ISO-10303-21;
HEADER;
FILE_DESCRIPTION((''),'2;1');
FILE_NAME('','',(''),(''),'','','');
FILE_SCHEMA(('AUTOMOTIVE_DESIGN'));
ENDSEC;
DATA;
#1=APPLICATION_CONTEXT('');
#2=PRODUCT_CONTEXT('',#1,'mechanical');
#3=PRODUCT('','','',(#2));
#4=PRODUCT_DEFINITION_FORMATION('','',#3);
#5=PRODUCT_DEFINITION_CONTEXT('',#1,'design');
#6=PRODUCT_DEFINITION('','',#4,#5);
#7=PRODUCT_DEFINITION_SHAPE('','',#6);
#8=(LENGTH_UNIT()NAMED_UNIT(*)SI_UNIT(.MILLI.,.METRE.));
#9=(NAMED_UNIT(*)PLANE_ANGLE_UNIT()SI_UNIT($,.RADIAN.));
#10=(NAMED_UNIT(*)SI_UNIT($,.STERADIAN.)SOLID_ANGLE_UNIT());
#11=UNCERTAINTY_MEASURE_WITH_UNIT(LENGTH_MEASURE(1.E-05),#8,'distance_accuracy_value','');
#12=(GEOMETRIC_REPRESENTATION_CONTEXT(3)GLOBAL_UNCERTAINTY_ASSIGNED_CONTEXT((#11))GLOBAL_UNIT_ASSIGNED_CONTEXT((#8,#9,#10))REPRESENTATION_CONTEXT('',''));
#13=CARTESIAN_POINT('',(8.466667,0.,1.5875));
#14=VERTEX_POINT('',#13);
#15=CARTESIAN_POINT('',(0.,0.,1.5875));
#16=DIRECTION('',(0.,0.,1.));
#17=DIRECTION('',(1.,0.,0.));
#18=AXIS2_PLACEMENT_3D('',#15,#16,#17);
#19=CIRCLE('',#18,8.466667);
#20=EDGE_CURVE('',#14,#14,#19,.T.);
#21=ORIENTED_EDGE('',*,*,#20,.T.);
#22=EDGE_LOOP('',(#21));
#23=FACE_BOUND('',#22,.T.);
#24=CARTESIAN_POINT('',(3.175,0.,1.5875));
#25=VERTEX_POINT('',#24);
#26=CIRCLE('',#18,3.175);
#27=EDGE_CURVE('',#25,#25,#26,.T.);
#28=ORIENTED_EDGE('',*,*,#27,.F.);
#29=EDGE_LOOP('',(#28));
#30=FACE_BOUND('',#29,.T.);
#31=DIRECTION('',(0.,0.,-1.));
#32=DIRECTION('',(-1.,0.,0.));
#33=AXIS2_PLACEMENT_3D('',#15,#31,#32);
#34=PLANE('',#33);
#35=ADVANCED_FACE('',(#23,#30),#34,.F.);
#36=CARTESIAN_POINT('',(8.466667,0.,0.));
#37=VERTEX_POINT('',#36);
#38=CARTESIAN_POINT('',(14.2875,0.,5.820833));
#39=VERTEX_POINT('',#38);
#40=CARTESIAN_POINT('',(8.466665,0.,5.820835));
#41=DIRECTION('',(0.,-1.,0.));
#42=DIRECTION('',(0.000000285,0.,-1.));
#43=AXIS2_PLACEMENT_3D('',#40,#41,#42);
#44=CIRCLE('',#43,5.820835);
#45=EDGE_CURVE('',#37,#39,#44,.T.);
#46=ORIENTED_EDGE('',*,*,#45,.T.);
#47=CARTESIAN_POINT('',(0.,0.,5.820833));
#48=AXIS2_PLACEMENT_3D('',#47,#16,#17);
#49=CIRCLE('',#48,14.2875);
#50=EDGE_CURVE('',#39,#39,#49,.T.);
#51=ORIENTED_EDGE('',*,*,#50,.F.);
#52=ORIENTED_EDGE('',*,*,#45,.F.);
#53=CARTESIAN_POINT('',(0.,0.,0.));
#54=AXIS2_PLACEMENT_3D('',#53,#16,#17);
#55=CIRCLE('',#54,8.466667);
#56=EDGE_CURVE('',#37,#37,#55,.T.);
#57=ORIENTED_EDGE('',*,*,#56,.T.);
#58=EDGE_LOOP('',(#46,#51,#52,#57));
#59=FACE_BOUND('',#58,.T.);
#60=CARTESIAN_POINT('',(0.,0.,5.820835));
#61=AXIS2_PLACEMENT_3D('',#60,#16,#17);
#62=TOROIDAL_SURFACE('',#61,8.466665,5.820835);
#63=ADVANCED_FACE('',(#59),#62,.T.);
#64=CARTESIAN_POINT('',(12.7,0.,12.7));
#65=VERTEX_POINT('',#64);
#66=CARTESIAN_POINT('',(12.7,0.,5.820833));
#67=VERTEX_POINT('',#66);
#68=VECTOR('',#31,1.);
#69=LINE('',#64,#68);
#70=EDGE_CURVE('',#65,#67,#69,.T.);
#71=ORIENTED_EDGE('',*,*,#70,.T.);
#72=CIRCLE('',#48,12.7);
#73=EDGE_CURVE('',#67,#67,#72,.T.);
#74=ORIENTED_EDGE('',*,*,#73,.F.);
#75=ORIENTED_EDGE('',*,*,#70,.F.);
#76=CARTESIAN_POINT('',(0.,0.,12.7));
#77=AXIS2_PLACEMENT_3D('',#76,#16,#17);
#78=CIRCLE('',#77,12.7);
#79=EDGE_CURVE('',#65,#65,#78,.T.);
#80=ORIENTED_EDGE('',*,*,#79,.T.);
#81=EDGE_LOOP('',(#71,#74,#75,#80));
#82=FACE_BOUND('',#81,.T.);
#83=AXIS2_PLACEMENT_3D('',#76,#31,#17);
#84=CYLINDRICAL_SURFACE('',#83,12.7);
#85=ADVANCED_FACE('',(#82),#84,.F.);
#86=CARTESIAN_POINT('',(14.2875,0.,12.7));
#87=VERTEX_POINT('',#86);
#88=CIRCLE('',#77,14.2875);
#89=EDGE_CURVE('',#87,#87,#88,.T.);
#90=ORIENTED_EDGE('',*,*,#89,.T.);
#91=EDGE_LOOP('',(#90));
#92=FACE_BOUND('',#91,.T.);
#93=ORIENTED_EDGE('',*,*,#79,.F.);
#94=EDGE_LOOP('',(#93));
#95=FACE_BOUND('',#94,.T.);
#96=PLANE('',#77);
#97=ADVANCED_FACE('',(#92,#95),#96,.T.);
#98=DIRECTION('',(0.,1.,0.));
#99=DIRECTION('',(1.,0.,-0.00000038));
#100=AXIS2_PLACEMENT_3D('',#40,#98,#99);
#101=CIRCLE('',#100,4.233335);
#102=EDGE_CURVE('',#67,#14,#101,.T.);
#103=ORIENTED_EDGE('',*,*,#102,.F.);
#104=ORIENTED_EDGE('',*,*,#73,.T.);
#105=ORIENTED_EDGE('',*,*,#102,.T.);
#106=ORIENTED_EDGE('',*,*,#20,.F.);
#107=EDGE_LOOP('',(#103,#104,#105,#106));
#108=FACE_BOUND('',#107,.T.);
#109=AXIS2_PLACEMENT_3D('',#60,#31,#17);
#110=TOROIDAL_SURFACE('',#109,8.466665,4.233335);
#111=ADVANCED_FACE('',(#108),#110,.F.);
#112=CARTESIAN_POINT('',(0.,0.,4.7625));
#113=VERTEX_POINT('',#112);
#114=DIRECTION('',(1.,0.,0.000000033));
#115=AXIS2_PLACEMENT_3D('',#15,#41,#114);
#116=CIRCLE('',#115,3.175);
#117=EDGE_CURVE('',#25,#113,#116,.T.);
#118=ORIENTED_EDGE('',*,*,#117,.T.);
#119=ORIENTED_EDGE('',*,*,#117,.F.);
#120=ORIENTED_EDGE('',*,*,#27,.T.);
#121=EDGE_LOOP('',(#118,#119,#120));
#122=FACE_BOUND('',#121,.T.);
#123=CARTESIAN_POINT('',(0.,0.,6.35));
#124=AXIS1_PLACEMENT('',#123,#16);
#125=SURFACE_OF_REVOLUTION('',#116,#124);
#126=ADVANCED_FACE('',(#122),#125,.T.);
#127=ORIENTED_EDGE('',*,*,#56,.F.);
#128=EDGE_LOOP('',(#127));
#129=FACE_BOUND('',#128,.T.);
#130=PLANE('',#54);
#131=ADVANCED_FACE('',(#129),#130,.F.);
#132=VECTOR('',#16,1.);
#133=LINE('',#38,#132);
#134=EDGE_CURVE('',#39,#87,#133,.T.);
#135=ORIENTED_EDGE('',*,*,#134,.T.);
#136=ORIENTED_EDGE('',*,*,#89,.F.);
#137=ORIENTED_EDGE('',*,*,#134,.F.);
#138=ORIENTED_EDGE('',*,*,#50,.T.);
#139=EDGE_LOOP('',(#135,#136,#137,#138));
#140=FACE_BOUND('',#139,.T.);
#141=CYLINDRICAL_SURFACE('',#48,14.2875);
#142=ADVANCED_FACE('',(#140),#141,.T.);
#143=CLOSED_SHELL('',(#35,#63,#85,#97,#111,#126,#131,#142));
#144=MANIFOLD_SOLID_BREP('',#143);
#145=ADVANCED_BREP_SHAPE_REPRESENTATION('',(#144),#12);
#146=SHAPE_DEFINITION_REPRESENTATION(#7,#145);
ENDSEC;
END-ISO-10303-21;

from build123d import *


with BuildPart() as f1:
    # F0 (on Front) → F1 (revolve)
    with BuildSketch(Plane.XZ):
        with BuildLine():
            Line((0, 1.5875), (0, 0))
            Line((0, 0), (8.466667, 0))
            ThreePointArc((8.466667, 0), (12.582617, 1.704883), (14.2875, 5.820833))
            Line((14.2875, 5.820833), (14.2875, 12.7))
            Line((14.2875, 12.7), (12.7, 12.7))
            Line((12.7, 12.7), (12.7, 5.820833))
            ThreePointArc((12.7, 5.820833), (11.460085, 2.827415), (8.466667, 1.5875))
            Line((8.466667, 1.5875), (3.175, 1.5875))
            Line((3.175, 1.5875), (0, 1.5875))
        make_face()
        with BuildLine():
            Line((0, 4.7625), (0, 1.5875))
            Line((0, 1.5875), (3.175, 1.5875))
            ThreePointArc((3.175, 1.5875), (2.245064, 3.832564), (0, 4.7625))
        make_face()
    revolve(axis=Axis((0, 0, 6.35), (0, 0, 1)))


solid = f1.part
